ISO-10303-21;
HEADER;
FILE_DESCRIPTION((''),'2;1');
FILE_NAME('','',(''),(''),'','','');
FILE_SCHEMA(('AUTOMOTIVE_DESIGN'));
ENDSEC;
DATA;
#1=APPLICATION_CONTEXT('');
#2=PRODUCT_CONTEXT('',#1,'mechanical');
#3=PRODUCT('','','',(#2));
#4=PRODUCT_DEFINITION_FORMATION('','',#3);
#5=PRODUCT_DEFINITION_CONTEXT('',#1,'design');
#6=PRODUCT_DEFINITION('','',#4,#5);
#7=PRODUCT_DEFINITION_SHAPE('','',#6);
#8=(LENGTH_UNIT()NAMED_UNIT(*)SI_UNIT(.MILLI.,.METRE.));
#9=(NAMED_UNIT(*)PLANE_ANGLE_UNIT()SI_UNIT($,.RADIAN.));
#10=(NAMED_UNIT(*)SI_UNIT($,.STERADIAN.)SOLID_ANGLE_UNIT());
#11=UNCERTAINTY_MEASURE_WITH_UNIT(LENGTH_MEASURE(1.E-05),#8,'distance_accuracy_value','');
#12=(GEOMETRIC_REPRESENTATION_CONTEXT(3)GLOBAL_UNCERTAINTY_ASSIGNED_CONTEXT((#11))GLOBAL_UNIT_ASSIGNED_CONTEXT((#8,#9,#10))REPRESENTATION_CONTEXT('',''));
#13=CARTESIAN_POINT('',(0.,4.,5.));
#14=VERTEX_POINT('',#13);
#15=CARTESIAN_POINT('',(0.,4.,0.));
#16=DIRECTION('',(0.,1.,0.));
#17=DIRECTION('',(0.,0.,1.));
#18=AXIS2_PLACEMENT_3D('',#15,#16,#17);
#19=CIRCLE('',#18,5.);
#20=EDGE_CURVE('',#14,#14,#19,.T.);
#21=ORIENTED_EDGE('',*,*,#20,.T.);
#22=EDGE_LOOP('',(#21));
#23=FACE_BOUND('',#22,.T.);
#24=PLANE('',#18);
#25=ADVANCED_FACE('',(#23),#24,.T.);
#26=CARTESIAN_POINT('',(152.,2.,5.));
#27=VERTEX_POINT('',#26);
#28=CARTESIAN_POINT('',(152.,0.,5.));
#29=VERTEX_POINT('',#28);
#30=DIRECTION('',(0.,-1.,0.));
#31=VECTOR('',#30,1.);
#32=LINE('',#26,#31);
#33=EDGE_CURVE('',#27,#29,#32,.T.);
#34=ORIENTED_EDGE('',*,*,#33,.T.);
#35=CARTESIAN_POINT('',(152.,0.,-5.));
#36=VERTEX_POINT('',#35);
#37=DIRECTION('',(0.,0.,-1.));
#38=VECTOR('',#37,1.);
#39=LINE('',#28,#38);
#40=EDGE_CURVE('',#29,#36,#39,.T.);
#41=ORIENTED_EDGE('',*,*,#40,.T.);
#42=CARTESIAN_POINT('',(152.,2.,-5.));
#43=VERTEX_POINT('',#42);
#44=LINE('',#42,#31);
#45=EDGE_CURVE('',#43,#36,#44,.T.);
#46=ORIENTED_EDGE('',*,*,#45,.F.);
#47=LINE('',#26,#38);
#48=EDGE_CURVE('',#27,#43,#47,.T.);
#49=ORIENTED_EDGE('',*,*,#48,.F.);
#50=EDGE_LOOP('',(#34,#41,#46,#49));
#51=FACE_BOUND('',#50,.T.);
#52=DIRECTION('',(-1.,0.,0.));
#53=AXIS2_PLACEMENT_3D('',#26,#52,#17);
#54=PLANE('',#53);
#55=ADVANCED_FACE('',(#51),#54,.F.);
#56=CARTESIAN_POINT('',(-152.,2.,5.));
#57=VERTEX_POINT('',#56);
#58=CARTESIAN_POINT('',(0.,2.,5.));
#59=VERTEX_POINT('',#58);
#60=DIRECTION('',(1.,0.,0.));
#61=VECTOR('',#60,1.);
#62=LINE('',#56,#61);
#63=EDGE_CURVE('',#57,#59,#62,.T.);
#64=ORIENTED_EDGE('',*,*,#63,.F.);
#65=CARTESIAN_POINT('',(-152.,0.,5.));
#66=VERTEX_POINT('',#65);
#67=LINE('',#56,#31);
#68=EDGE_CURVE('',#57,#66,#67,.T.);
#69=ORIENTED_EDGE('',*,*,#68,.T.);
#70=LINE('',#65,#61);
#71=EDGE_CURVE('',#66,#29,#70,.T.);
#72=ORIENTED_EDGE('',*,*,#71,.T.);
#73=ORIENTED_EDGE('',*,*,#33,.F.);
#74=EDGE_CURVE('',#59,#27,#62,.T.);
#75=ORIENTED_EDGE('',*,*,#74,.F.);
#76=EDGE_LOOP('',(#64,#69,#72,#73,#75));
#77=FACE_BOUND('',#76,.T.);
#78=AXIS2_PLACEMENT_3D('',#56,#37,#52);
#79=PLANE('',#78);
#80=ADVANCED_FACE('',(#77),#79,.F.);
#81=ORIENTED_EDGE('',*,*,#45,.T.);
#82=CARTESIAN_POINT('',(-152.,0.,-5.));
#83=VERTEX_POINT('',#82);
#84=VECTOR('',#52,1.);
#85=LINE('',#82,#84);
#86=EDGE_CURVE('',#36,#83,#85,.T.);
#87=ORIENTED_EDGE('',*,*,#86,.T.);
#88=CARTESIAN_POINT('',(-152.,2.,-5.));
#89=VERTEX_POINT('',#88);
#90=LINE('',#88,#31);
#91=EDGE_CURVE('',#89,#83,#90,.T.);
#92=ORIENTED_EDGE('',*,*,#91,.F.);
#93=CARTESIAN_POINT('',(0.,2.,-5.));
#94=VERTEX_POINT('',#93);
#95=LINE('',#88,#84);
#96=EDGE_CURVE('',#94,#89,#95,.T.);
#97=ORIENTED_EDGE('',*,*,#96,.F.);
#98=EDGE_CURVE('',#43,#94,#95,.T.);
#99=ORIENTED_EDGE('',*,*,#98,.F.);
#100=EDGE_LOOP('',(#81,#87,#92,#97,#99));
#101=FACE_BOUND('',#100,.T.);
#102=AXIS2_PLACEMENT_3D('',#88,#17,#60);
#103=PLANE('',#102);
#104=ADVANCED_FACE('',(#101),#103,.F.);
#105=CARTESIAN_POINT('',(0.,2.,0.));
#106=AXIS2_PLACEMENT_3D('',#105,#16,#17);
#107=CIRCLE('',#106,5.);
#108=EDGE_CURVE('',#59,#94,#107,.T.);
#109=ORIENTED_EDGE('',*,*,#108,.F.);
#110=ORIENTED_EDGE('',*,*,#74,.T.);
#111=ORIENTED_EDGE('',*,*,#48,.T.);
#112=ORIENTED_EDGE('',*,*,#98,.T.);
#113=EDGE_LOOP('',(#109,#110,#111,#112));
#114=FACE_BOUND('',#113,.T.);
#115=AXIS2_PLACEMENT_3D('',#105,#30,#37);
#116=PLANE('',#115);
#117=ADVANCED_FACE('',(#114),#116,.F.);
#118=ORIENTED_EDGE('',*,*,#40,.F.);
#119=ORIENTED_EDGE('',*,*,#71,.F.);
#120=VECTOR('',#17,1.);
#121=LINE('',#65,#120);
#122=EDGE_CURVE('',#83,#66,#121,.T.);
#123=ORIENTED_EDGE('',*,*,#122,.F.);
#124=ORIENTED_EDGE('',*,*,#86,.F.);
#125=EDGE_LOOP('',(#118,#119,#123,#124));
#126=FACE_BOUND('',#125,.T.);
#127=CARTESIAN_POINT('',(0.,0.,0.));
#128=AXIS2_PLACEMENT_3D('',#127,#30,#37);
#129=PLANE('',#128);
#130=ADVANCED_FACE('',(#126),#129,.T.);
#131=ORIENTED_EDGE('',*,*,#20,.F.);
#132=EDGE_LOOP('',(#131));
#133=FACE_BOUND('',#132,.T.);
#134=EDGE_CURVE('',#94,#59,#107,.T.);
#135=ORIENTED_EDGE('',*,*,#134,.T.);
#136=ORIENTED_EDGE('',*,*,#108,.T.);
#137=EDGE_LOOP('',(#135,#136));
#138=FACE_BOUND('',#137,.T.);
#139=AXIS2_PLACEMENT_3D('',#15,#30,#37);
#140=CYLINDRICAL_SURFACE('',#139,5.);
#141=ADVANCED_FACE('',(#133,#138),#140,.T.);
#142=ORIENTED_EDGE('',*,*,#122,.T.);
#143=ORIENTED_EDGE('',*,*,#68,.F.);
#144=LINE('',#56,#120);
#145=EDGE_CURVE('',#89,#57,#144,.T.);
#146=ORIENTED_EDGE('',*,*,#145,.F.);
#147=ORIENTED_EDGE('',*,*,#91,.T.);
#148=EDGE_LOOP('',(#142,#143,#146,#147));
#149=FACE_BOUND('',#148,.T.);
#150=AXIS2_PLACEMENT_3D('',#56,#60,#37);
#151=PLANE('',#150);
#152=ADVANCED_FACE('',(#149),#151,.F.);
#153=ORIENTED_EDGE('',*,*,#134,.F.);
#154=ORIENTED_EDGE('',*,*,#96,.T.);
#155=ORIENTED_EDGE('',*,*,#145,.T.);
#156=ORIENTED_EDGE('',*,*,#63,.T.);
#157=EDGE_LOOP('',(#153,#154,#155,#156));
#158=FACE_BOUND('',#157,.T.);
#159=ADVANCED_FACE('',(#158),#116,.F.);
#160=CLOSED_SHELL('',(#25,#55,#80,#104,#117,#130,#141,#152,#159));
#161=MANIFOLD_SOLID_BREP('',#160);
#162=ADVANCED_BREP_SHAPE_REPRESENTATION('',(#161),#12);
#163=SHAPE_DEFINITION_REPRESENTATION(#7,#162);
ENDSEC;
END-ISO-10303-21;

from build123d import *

# Parameters (mm, degrees)
SKETCH_1_W      = 304
SKETCH_1_H      = 10
EXTRUDE_1_DEPTH = 2
SKETCH_2_R      = 5
EXTRUDE_2_DEPTH = 2


with BuildPart() as part:
    # 草图1 → 凸台-拉伸1 (new body)
    with BuildSketch(Plane(origin=(0, 0, 0), x_dir=(1, 0, 0), z_dir=(0, 1, 0))):
        Rectangle(SKETCH_1_W, SKETCH_1_H)
    extrude(amount=EXTRUDE_1_DEPTH)

    # 草图2 → 凸台-拉伸2 (add)
    with BuildSketch(Plane(origin=(0, 2, 0), x_dir=(1, 0, 0), z_dir=(0, 1, 0))):
        with Locations(Location((0, 0, 0), (0, 0, 270))):
            Circle(SKETCH_2_R)
    extrude(amount=EXTRUDE_2_DEPTH)


solid = part.part
